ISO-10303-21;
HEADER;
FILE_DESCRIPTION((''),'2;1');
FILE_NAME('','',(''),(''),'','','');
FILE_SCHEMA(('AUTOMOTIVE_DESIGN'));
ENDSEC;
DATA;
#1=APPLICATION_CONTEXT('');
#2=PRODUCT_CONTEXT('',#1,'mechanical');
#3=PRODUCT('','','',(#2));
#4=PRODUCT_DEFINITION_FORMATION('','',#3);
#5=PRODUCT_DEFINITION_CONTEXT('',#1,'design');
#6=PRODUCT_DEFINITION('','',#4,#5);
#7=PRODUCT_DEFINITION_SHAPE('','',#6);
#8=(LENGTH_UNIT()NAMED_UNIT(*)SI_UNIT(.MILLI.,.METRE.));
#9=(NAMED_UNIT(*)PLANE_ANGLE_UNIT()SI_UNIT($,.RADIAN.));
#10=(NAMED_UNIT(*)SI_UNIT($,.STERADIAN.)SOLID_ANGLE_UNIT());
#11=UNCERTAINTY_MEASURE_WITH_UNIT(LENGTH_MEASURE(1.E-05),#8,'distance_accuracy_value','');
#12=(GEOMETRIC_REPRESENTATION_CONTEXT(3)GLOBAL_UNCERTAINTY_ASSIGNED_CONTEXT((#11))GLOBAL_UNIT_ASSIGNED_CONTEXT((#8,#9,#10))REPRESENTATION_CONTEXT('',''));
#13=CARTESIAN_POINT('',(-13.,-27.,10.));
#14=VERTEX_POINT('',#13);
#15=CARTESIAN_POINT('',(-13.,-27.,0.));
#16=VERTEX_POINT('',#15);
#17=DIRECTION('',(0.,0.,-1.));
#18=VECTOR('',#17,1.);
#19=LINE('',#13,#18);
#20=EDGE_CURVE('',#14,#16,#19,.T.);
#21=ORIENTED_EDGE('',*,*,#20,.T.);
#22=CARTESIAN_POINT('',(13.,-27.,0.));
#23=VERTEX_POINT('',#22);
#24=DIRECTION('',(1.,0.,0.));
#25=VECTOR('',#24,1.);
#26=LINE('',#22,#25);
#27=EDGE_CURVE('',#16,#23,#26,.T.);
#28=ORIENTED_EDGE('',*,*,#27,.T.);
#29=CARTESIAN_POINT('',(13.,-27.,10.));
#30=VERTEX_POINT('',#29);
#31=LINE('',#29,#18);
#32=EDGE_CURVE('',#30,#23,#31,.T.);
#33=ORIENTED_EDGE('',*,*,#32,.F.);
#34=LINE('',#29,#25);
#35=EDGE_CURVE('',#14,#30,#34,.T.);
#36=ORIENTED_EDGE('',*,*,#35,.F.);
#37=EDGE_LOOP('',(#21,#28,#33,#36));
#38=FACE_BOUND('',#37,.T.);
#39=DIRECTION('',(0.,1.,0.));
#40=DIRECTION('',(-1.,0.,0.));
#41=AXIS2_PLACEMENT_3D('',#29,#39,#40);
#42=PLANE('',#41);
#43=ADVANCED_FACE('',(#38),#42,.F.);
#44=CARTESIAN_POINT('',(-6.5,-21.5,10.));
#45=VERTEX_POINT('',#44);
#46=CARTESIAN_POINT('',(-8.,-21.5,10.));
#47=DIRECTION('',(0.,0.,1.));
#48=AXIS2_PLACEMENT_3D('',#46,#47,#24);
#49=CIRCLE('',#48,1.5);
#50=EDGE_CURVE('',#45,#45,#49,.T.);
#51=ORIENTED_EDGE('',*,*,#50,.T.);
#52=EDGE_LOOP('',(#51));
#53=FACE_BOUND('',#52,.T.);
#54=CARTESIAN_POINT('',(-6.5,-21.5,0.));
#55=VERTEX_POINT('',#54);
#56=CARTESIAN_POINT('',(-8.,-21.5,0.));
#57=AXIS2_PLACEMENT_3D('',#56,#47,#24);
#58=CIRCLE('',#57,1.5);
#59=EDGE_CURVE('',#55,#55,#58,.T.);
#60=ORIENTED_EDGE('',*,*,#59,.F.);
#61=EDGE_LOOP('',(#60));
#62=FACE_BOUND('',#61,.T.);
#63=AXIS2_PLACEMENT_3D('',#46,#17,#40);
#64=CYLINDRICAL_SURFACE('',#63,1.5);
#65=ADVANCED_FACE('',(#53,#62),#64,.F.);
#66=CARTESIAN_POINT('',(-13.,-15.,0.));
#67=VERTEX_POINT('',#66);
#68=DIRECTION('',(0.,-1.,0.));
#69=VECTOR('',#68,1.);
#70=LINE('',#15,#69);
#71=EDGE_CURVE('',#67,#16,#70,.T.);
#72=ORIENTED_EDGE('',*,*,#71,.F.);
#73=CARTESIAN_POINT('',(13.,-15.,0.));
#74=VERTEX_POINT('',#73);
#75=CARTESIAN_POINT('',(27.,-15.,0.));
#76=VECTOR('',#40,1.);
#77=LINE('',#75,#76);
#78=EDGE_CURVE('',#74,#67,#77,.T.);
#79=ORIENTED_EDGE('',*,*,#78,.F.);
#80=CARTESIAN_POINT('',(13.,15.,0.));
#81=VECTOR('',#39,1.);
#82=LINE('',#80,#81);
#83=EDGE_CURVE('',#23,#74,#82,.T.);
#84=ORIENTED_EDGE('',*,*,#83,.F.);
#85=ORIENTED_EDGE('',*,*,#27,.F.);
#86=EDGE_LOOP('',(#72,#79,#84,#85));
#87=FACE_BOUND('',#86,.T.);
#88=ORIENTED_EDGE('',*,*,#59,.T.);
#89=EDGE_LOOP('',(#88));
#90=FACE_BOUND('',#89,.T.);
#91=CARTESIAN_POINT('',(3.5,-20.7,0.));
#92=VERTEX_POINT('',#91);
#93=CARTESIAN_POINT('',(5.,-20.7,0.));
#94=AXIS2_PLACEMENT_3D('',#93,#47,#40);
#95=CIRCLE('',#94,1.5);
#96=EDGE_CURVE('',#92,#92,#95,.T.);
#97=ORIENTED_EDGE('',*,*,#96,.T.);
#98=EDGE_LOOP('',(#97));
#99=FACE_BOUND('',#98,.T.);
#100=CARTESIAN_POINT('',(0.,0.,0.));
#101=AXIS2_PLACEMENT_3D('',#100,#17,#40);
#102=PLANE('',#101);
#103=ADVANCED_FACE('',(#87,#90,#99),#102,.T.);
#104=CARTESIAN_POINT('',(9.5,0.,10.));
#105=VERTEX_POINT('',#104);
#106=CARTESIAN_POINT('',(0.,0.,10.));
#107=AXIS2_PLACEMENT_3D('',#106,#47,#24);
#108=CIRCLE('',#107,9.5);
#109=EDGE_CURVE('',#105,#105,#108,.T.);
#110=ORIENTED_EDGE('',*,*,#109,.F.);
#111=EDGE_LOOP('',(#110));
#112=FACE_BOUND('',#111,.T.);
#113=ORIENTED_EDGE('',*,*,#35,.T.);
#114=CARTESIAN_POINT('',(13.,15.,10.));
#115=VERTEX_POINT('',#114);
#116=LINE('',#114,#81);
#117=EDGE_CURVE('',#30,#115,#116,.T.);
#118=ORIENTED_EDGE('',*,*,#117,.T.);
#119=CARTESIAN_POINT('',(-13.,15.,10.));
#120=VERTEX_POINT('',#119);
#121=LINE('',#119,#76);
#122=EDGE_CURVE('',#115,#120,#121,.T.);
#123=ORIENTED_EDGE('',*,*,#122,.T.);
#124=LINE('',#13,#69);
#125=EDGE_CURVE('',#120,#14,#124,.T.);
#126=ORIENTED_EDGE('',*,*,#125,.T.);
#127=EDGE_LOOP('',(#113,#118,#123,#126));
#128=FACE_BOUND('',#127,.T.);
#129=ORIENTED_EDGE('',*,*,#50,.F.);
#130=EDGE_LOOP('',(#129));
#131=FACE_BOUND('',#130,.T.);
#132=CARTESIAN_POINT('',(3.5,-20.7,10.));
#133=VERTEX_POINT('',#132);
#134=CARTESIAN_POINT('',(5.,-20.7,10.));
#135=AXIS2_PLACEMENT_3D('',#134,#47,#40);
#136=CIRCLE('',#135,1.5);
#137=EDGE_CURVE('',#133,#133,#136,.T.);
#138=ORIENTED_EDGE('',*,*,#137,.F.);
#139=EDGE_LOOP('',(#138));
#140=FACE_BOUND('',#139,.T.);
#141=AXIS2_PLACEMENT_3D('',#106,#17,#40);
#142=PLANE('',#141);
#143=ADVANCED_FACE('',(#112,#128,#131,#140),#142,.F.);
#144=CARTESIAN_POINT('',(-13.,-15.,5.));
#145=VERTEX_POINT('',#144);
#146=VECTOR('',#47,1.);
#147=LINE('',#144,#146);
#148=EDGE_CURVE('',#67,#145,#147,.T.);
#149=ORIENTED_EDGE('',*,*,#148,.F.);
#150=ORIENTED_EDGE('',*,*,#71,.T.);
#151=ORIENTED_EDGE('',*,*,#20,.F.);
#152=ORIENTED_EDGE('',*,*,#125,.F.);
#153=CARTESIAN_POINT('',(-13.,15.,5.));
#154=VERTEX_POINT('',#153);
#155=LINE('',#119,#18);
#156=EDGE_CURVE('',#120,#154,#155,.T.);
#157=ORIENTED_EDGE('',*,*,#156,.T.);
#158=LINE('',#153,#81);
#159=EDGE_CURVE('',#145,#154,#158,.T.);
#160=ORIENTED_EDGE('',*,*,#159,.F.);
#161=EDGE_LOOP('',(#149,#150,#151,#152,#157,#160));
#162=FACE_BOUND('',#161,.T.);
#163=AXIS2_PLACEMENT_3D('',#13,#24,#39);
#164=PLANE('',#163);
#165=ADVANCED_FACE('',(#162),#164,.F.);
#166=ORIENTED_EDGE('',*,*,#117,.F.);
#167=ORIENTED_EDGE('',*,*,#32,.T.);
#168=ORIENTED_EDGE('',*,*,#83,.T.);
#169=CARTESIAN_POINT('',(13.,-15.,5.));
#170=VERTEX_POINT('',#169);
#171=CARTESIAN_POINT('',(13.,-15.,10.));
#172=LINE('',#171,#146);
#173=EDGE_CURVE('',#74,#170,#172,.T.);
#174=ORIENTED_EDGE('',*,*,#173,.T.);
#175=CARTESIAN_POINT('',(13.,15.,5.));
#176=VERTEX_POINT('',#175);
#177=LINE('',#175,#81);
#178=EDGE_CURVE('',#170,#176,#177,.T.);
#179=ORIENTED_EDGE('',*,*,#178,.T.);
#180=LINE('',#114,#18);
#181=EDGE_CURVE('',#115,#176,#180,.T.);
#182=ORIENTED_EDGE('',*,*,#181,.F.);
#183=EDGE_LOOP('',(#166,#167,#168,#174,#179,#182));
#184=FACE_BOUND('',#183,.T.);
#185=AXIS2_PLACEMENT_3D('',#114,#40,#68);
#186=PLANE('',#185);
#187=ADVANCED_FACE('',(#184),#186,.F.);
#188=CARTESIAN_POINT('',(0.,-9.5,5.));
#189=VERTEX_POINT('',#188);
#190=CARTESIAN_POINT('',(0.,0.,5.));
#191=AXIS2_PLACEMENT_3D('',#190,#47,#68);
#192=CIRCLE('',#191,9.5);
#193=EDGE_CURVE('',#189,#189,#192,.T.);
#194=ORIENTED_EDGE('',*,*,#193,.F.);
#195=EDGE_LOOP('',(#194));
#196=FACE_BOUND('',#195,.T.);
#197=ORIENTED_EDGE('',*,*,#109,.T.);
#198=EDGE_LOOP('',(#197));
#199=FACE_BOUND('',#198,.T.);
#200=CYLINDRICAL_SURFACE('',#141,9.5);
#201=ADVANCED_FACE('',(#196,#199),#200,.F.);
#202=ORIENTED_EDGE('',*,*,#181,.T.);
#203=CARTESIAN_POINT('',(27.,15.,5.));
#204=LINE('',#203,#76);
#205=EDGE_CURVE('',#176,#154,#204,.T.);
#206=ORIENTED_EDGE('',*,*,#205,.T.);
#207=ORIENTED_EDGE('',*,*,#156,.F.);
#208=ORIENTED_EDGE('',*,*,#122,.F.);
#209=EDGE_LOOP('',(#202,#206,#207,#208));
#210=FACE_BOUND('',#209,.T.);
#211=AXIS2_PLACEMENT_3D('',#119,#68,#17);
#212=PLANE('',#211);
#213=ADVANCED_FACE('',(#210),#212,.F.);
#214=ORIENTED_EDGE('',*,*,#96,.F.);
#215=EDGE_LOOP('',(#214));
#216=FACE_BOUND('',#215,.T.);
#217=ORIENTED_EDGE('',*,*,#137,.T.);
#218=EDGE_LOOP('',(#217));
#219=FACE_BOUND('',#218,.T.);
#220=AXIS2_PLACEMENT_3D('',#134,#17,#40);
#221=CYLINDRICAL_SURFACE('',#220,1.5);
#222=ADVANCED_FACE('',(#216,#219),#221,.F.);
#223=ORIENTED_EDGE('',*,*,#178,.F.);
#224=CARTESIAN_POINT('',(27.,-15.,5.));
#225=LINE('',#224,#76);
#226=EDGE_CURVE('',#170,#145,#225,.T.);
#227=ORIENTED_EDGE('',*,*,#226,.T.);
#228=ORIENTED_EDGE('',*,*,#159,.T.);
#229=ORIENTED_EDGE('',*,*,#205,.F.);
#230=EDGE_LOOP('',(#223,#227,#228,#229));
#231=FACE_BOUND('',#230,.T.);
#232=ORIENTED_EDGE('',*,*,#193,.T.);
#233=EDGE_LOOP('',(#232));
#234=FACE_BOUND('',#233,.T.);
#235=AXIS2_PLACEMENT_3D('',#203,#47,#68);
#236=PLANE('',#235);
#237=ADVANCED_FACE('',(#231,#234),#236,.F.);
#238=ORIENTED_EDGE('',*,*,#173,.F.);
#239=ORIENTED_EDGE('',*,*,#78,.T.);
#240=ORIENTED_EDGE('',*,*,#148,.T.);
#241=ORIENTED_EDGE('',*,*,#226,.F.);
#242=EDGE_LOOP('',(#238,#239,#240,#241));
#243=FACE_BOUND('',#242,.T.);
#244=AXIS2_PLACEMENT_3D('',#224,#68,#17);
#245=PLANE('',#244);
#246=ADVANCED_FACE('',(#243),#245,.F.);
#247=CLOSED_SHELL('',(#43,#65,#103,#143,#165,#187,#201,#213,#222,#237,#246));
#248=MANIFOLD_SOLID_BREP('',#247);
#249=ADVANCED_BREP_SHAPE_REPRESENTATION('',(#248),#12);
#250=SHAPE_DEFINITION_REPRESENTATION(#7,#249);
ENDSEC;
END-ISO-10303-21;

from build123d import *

# Parameters (mm, degrees)
CROQUIS1_W              = 26
CROQUIS1_H              = 42
CROQUIS1_R              = 9.5
CROQUIS1_R_2            = 1.5
SALIENTE_EXTRUIR1_DEPTH = 10
CROQUIS2_W              = 5
CROQUIS2_H              = 30
CORTAR_EXTRUIR1_DEPTH   = 40


with BuildPart() as part:
    # Croquis1 → Saliente-Extruir1 (new body)
    with BuildSketch(Plane.XY):
        with Locations((0, -6)):
            Rectangle(CROQUIS1_W, CROQUIS1_H)
        Circle(CROQUIS1_R, mode=Mode.SUBTRACT)
        with Locations((-8, -21.5)):
            Circle(CROQUIS1_R_2, mode=Mode.SUBTRACT)
        with Locations((5, -20.7)):
            Circle(CROQUIS1_R_2, mode=Mode.SUBTRACT)
    extrude(amount=SALIENTE_EXTRUIR1_DEPTH)

    # Croquis2 → Cortar-Extruir1 (cut)
    with BuildSketch(Plane.ZY.offset(13)):
        with Locations((2.5, 0)):
            Rectangle(CROQUIS2_W, CROQUIS2_H)
    extrude(amount=-CORTAR_EXTRUIR1_DEPTH, mode=Mode.SUBTRACT)


solid = part.part
